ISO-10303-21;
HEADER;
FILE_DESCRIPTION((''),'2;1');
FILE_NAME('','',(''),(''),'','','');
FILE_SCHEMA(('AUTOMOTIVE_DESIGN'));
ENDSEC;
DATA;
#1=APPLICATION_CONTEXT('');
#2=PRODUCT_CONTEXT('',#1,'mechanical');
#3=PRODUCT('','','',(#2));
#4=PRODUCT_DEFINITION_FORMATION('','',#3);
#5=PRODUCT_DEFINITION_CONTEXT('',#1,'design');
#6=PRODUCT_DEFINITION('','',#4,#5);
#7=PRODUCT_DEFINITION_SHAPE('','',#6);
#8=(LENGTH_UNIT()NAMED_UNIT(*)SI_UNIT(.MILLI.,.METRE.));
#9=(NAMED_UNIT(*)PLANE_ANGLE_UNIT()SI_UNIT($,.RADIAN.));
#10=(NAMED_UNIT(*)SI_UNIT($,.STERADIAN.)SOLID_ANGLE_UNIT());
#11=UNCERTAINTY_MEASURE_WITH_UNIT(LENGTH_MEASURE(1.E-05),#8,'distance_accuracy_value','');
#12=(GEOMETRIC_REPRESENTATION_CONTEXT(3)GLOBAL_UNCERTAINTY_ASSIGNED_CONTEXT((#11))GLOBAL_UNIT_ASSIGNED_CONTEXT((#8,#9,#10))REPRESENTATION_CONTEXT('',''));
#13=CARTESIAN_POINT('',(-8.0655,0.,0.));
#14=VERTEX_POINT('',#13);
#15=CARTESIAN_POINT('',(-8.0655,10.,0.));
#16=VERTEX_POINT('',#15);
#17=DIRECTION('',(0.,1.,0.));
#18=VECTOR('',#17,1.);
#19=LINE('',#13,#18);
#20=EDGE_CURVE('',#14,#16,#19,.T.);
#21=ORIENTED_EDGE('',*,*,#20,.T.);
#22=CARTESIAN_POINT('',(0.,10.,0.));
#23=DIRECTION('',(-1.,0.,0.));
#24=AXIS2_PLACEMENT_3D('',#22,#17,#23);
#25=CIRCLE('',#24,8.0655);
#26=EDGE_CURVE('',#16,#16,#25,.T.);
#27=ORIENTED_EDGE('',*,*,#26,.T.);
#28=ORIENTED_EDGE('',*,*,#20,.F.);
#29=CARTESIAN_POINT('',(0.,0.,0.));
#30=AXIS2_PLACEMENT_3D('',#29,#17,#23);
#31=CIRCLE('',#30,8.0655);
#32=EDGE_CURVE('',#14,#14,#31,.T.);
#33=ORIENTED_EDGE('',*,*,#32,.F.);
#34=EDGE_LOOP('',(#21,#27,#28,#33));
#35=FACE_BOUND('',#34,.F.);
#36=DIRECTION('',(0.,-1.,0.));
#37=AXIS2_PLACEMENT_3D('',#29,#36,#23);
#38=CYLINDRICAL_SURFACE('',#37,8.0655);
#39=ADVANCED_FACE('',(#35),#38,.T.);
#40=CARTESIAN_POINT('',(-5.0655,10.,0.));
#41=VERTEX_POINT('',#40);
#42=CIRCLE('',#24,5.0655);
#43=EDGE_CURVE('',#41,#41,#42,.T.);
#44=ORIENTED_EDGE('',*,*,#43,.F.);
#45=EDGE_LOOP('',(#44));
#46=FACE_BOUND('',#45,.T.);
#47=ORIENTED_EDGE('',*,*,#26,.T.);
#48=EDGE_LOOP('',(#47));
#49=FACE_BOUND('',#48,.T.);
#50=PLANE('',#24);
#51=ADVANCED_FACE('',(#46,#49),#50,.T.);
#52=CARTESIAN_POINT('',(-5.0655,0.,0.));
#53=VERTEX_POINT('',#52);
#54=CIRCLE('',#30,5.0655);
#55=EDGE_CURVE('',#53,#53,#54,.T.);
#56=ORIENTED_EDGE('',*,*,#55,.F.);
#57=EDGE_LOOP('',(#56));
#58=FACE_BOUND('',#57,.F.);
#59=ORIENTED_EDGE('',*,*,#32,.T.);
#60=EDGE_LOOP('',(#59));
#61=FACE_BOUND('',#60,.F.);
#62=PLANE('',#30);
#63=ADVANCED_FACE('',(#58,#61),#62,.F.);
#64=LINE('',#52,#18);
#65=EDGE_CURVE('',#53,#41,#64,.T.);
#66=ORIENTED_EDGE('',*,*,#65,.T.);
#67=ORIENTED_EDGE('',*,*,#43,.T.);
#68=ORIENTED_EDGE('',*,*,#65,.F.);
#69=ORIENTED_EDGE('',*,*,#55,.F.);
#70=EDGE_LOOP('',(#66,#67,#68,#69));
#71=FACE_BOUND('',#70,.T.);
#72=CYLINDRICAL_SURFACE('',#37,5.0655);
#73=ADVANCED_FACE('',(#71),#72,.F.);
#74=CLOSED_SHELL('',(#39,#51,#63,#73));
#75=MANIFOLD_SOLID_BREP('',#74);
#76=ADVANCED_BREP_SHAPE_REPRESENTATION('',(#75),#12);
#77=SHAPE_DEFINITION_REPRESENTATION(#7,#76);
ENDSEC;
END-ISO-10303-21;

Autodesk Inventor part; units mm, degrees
ref_plane "YZ Plane" through (0, 0, 0) normal (1, 0, 0) x (0, 1, 0)
ref_plane "XZ Plane" through (0, 0, 0) normal (0, 1, 0) x (-1, 0, 0)
ref_plane "XY Plane" through (0, 0, 0) normal (0, 0, 1) x (1, 0, 0)
sketch "Sketch1" plane through (0, 0, 0) normal (0, 1, 0) x (-1, 0, 0)
  circle A0 centre (0, 0) radius 4.9855 construction
  circle A1 centre (0, 0) radius 5.0655
  circle A2 centre (0, 0) radius 5.0655
  circle A3 centre (0, 0) radius 8.0655
  dimension "d0" = 9.971
  dimension "d1" = 0.08
  dimension "d2" = 3
extrude "Extrusion1" add sketch "Sketch1" along normal blind 10
properties part number "retention_auger_ring"
